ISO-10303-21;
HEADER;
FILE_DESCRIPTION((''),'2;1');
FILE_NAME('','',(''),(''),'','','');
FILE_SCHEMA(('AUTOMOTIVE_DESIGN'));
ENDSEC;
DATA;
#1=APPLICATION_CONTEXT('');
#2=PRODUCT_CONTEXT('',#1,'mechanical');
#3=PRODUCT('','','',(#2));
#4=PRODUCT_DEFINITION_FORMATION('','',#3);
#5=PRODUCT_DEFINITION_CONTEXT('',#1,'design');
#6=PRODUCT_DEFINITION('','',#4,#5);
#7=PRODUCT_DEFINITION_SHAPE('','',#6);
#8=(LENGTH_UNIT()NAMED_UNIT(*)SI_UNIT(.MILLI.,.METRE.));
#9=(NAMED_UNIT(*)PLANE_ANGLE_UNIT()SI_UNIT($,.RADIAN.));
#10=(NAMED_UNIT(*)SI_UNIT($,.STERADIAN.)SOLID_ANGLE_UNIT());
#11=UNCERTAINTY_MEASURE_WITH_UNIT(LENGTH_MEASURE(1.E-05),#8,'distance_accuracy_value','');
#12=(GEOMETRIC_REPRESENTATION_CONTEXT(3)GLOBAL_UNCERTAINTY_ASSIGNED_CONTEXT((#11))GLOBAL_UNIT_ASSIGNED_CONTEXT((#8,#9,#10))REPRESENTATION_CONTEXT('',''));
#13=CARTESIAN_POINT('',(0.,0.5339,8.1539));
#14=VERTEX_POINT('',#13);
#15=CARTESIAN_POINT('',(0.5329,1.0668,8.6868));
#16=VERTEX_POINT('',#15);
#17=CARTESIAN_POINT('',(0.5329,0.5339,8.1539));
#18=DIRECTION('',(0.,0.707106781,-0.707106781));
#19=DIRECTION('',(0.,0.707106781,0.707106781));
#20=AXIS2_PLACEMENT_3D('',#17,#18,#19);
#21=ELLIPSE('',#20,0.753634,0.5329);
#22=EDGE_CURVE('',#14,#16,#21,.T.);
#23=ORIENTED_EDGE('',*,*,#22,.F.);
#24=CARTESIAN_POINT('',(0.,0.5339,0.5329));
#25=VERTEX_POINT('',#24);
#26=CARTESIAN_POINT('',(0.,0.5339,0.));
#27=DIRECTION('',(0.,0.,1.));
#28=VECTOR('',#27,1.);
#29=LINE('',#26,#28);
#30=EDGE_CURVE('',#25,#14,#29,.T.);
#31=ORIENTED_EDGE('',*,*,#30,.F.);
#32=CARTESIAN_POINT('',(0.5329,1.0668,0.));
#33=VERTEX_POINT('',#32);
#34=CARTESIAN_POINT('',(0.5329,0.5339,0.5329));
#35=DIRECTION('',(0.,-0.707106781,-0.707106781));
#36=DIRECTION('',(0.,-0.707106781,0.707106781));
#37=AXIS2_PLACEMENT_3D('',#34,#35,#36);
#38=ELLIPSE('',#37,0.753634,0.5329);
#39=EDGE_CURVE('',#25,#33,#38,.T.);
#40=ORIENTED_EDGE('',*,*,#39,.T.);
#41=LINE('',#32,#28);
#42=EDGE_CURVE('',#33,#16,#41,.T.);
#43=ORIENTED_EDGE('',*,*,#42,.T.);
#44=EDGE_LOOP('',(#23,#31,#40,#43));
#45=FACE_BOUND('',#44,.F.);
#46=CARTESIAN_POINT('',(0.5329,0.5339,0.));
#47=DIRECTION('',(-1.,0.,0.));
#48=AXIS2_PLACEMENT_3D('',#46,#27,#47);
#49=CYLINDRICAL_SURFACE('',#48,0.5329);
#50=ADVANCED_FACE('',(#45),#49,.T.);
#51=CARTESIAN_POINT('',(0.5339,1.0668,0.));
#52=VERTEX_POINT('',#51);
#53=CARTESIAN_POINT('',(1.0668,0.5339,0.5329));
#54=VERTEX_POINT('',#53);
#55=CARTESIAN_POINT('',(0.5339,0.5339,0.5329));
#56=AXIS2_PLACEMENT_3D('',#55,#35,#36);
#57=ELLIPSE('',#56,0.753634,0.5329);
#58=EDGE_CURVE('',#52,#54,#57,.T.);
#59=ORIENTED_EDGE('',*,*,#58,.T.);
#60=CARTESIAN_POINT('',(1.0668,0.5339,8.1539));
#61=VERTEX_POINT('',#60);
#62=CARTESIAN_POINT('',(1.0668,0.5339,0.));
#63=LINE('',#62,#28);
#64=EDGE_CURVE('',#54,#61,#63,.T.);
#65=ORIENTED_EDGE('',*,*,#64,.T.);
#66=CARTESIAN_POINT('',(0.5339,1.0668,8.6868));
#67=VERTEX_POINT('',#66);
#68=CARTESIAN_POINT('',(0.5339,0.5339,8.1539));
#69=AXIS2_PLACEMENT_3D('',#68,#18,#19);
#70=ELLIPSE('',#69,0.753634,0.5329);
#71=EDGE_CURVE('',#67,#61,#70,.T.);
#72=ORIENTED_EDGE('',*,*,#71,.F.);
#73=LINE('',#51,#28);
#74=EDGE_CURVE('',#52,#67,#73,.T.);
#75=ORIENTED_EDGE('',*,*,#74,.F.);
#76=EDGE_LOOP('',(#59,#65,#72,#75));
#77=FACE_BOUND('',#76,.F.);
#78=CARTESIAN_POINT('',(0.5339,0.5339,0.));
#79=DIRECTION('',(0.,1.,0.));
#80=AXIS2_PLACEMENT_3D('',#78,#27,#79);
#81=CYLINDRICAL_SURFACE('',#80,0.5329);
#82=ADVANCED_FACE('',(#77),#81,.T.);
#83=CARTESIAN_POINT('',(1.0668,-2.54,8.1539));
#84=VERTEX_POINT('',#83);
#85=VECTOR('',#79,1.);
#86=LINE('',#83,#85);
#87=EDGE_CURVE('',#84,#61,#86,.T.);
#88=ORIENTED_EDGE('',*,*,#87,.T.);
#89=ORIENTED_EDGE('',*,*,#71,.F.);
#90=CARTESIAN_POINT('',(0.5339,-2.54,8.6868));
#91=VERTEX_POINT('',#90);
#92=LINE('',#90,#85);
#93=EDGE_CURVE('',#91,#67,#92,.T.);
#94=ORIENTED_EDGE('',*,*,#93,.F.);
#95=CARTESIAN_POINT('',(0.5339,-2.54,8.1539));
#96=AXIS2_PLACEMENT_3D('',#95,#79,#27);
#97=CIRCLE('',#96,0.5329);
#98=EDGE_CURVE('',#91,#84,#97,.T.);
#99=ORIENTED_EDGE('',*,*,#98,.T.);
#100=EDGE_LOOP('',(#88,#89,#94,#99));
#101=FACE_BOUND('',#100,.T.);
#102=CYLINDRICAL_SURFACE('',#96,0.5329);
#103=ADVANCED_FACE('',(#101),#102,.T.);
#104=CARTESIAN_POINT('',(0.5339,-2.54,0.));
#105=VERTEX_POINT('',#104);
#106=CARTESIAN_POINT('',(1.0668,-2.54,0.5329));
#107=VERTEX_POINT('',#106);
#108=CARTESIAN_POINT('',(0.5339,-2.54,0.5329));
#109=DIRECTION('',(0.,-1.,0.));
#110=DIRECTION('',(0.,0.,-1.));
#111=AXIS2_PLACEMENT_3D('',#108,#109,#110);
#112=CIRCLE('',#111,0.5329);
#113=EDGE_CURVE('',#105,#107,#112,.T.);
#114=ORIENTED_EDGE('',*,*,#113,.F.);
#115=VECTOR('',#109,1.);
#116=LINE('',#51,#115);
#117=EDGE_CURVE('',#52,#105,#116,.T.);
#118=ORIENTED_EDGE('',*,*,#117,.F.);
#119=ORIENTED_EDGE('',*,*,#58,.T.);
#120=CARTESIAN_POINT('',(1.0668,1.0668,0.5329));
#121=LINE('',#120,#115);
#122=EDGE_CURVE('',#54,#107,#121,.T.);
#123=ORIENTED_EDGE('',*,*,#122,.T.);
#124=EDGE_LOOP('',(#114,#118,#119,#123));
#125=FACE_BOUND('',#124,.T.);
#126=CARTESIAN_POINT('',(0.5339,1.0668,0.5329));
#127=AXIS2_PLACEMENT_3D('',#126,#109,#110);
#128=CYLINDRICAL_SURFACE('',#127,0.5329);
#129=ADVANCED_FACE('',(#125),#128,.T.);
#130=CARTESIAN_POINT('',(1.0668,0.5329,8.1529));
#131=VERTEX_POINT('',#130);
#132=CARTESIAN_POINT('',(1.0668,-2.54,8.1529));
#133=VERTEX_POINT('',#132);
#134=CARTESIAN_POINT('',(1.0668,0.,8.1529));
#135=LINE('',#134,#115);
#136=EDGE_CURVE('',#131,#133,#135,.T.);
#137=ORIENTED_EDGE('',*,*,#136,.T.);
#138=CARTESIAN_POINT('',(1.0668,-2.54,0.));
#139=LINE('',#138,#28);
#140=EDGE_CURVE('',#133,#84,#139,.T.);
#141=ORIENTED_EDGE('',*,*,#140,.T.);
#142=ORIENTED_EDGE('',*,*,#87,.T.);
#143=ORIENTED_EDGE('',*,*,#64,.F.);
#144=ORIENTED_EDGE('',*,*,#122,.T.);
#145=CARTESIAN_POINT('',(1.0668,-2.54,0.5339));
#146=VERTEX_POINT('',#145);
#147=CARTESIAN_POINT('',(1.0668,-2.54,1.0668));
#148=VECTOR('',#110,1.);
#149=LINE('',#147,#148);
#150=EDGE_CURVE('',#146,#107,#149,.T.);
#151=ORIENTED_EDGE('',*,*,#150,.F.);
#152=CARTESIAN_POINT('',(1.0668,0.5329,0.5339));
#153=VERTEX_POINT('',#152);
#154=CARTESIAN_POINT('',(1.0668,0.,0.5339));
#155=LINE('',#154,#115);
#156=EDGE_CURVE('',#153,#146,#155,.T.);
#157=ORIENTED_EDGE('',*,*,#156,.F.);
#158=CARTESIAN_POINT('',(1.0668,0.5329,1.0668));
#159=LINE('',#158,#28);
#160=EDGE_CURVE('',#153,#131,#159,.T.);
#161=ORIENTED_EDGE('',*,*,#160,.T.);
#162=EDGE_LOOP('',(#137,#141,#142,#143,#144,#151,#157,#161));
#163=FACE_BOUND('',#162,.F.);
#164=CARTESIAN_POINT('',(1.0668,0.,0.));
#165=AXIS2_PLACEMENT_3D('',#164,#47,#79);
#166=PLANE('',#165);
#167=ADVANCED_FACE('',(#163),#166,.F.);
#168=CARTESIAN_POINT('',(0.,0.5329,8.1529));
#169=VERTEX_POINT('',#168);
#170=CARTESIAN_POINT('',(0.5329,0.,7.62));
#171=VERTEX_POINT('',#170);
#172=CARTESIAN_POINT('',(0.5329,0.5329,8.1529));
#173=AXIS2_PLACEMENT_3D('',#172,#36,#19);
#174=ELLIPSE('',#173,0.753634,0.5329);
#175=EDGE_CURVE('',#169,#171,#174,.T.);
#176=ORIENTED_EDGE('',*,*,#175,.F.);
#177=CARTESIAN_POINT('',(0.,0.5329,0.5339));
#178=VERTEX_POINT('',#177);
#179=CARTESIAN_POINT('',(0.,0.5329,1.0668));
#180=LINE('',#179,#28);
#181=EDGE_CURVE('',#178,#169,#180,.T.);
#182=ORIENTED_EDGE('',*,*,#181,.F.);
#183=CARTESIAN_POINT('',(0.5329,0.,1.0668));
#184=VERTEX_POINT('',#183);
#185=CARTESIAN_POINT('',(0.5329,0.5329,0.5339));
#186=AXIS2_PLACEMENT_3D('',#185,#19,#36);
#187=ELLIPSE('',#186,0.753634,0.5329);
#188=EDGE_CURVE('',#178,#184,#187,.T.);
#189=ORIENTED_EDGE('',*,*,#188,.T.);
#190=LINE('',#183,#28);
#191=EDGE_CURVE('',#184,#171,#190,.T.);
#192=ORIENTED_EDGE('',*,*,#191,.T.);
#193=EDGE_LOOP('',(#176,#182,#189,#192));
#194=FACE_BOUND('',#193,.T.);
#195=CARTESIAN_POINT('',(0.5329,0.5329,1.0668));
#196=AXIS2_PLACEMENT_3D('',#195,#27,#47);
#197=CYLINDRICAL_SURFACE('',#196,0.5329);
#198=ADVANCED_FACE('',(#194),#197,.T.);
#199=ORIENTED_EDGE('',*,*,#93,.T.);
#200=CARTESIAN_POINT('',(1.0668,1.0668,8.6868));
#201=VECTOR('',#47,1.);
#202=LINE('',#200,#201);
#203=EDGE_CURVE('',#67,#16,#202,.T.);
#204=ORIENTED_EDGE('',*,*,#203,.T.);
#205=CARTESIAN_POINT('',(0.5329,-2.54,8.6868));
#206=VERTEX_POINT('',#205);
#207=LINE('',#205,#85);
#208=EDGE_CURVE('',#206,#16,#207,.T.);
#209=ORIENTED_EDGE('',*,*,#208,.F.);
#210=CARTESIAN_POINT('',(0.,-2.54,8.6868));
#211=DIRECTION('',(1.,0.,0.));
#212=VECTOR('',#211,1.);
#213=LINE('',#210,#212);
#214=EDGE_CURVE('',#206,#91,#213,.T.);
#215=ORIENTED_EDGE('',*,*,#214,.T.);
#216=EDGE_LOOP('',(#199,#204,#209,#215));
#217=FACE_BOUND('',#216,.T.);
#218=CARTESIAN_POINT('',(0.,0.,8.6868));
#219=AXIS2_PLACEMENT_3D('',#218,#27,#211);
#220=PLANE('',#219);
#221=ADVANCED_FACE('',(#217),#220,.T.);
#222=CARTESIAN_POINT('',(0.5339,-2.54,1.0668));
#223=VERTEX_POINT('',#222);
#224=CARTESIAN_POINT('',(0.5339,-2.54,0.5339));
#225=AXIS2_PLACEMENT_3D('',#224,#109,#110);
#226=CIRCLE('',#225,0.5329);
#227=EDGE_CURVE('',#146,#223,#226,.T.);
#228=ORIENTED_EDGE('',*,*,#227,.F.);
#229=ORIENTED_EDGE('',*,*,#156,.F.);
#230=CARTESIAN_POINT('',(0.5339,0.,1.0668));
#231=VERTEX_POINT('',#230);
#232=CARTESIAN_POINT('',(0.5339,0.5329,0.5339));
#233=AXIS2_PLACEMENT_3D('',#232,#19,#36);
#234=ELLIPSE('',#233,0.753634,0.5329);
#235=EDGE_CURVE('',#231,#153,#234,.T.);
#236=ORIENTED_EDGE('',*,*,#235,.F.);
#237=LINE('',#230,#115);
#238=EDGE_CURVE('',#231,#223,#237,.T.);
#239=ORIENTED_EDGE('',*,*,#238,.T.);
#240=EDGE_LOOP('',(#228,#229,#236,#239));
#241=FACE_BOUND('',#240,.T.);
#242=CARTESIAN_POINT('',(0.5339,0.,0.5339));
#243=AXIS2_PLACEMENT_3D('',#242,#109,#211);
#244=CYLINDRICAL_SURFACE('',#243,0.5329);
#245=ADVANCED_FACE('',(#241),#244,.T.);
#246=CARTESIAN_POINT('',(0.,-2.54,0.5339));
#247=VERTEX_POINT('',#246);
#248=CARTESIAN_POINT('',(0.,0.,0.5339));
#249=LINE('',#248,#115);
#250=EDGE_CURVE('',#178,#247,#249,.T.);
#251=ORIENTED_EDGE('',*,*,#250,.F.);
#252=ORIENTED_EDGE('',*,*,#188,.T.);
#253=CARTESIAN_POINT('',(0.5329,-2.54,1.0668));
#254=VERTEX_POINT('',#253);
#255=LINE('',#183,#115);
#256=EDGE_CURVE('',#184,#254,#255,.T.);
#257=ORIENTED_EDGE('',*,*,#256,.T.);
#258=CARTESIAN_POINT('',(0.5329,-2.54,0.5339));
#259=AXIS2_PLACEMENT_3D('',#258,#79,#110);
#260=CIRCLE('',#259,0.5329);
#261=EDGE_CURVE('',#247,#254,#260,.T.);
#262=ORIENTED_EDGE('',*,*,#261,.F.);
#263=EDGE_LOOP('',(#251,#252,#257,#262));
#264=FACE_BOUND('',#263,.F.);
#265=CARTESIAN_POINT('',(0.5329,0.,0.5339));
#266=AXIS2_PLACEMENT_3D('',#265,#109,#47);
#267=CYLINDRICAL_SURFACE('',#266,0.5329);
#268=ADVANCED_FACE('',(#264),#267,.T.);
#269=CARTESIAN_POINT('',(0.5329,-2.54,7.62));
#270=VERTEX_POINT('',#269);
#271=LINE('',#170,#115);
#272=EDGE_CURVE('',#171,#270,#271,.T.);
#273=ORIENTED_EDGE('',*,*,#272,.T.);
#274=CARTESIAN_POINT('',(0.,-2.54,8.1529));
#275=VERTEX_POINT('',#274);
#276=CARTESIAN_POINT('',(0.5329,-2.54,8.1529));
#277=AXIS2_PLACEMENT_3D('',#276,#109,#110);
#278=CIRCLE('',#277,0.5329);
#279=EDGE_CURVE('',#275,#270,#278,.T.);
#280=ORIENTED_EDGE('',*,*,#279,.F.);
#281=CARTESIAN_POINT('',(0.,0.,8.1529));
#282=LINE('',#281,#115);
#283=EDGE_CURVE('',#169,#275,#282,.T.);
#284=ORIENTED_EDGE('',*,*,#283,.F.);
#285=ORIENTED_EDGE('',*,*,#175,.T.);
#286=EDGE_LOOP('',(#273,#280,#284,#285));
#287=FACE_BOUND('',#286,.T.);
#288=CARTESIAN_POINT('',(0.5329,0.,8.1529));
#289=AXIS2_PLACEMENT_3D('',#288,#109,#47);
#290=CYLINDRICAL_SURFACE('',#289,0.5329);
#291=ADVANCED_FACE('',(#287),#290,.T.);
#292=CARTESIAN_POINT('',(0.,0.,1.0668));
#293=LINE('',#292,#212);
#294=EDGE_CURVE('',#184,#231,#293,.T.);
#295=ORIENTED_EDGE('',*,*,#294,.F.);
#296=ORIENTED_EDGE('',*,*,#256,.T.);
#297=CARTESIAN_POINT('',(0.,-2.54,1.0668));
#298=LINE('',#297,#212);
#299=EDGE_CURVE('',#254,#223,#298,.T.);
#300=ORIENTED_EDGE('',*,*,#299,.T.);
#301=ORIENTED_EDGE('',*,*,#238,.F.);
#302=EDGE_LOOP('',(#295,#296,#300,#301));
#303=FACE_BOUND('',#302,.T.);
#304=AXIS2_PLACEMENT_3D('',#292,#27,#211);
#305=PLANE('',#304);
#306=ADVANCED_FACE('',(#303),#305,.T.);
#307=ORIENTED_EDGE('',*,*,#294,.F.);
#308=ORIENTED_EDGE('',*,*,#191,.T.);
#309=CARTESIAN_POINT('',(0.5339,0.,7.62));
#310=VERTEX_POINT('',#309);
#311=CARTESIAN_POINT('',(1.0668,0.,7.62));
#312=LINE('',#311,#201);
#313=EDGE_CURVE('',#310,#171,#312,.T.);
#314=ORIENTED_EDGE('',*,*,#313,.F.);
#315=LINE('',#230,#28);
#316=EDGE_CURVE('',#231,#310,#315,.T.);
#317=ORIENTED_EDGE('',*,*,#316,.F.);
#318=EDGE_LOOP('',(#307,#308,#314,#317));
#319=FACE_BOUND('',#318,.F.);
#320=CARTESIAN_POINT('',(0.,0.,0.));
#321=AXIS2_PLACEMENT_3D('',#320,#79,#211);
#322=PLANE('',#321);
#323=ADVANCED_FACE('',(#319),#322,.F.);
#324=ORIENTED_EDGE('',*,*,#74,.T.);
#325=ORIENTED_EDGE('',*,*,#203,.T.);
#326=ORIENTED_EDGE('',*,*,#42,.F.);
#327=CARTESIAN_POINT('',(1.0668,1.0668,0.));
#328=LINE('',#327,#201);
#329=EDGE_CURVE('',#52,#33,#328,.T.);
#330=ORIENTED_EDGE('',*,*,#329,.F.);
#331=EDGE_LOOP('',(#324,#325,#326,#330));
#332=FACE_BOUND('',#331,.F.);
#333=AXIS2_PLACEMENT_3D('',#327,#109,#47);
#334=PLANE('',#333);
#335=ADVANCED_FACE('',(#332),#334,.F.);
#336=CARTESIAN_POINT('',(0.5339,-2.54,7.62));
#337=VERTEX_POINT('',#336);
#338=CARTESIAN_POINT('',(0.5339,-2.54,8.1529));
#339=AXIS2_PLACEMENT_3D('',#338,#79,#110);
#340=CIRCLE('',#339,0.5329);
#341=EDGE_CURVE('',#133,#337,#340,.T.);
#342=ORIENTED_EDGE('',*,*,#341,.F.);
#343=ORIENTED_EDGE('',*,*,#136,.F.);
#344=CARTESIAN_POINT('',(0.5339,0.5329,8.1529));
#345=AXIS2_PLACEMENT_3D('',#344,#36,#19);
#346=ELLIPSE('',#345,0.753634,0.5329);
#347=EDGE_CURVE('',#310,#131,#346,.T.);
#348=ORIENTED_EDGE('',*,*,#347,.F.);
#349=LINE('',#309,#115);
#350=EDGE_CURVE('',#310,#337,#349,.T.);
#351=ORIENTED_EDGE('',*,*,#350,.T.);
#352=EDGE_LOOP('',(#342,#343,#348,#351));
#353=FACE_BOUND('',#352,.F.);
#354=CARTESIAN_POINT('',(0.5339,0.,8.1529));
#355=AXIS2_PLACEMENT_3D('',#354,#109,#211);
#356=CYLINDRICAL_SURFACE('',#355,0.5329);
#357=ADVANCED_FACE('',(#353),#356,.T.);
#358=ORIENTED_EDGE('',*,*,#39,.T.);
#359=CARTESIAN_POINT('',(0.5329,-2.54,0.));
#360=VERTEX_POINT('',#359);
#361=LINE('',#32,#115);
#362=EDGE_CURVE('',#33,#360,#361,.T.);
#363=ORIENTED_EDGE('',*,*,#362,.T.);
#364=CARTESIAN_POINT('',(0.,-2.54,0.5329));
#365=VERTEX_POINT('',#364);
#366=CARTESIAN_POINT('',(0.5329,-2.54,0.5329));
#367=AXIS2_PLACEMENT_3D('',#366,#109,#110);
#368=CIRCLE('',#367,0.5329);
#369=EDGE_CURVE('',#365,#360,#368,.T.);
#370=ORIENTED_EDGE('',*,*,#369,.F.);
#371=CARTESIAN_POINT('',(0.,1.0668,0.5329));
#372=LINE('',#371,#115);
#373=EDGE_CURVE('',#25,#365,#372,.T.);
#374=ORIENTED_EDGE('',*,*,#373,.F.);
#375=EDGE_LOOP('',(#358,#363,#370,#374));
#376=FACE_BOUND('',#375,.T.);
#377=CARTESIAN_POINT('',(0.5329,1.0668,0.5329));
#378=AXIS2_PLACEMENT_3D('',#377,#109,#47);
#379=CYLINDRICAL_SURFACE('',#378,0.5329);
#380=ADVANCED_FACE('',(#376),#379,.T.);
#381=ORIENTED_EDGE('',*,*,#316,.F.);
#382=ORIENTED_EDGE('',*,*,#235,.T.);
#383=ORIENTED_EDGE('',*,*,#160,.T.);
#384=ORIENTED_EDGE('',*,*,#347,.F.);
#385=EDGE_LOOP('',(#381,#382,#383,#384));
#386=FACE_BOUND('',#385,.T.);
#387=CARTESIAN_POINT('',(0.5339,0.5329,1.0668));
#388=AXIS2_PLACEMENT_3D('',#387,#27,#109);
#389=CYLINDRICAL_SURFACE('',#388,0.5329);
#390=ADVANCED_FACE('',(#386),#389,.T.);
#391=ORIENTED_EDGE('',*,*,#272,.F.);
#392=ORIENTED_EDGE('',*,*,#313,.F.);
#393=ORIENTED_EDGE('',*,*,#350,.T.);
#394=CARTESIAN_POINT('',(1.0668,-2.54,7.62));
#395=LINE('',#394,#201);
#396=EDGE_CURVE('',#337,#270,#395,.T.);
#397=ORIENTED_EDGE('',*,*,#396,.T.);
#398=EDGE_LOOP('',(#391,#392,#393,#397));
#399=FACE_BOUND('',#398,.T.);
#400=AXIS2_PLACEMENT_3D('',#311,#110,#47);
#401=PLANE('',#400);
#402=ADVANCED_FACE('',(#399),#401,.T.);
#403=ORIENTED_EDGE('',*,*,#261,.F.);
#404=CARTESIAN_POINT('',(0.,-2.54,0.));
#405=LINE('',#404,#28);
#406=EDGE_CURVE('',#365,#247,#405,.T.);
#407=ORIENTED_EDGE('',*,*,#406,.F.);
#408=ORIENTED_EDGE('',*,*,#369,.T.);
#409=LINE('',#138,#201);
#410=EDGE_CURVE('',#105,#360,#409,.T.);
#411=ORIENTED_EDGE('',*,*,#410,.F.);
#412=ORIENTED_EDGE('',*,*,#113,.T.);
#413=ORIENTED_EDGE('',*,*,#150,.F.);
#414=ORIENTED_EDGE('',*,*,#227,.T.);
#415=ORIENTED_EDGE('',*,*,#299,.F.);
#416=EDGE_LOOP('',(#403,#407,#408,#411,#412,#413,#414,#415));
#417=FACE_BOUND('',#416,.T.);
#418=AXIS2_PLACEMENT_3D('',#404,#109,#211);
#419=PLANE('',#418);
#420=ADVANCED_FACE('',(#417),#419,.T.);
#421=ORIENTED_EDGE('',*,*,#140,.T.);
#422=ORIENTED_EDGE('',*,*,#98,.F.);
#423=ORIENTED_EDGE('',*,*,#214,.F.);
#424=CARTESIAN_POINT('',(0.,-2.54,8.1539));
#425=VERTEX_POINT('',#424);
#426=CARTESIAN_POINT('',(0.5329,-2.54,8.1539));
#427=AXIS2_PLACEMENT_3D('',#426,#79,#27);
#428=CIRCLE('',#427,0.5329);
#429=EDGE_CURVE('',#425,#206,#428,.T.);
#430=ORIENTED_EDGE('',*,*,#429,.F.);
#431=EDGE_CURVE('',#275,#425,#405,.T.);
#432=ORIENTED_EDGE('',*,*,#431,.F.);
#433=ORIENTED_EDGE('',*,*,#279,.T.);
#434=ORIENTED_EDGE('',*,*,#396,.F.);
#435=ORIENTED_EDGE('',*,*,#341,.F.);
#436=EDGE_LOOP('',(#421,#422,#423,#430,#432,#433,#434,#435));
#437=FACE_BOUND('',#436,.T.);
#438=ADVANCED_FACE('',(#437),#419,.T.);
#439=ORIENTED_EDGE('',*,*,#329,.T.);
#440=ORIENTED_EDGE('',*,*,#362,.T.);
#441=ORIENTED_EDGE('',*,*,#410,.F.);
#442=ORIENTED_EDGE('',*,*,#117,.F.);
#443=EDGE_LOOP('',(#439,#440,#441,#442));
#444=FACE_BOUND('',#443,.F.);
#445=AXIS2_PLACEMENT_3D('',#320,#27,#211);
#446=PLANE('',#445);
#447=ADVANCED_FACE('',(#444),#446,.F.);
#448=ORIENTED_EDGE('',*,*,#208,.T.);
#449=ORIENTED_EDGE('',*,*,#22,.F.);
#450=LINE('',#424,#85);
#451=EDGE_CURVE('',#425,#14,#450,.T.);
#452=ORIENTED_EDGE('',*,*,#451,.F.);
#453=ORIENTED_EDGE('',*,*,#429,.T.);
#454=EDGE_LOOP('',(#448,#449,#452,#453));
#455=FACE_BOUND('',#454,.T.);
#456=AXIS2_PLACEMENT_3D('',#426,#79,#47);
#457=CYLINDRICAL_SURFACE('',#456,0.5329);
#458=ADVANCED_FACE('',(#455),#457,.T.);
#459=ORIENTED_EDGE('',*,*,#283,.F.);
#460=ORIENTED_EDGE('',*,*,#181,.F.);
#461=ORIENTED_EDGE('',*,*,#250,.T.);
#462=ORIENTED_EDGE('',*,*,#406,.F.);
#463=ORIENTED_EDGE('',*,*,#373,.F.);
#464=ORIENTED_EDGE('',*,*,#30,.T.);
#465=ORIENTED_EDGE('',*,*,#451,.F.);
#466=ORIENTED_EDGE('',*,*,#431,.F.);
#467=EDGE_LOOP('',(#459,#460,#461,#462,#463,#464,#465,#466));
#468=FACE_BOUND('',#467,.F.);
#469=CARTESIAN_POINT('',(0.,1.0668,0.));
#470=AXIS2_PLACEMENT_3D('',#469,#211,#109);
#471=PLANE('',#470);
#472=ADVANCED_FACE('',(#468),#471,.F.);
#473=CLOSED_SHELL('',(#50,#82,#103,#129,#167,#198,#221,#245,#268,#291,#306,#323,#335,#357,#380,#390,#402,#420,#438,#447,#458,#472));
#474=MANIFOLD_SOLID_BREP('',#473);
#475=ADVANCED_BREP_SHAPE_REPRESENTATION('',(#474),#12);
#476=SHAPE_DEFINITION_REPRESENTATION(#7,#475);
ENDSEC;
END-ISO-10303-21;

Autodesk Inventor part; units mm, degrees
ref_plane "YZ Plane" through (0, 0, 0) normal (1, 0, 0) x (0, 1, 0)
ref_plane "XZ Plane" through (0, 0, 0) normal (0, 1, 0) x (-1, 0, 0)
ref_plane "XY Plane" through (0, 0, 0) normal (0, 0, 1) x (1, 0, 0)
sketch "Sketch1" plane through (0, 0, 0) normal (0, 0, 1) x (1, 0, 0)
  line L0 (0, 0) -> (1.0668, 0)
  line L1 (1.0668, 0) -> (1.0668, 1.0668)
  line L2 (1.0668, 1.0668) -> (0, 1.0668)
  line L3 (0, 1.0668) -> (0, 0)
  dimension "d0" = 1.0668
  dimension "d1" = 1.0668
extrude "Extrusion1" add sketch "Sketch1" along normal blind 8.6868
sketch "Sketch2" plane through (0, 0, 0) normal (0, -1, 0) x (1, 0, 0)
  line L0 (0, 0) -> (0, 8.6868) projected
  line L1 (1.0668, 0) -> (0, 0)
  line L2 (0, 0) -> (0, 1.0668)
  line L3 (0, 1.0668) -> (1.0668, 1.0668)
  line L4 (1.0668, 1.0668) -> (1.0668, 0)
  line L5 (1.0668, 0) -> (1.0668, 8.6868) projected
  line L6 (0, 8.6868) -> (1.0668, 8.6868)
  line L7 (1.0668, 8.6868) -> (1.0668, 7.62)
  line L8 (1.0668, 7.62) -> (0, 7.62)
  line L9 (0, 7.62) -> (0, 8.6868)
  dimension "d4" = 1.0668
  dimension "d5" = 1.0668
extrude "Extrusion2" add sketch "Sketch2" along normal blind 2.54 contours L0 L3 L4 L1 | L0 L6 L5 L8
fillet "Fillet1" radius 0.5334 12 edges at (1.0668, 1.0668, 4.3434) (0, 1.0668, 4.3434) (0, 0, 4.3434) (1.0668, 0, 4.3434) (1.0668, -1.27, 1.0668) (1.0668, -0.7366, 0) (0, -0.7366, 0) (0, -1.27, 1.0668) (0, -1.27, 7.62) (1.0668, -1.27, 7.62) (0, -0.7366, 8.6868) (1.0668, -0.7366, 8.6868)
properties part number "Wire 3"
